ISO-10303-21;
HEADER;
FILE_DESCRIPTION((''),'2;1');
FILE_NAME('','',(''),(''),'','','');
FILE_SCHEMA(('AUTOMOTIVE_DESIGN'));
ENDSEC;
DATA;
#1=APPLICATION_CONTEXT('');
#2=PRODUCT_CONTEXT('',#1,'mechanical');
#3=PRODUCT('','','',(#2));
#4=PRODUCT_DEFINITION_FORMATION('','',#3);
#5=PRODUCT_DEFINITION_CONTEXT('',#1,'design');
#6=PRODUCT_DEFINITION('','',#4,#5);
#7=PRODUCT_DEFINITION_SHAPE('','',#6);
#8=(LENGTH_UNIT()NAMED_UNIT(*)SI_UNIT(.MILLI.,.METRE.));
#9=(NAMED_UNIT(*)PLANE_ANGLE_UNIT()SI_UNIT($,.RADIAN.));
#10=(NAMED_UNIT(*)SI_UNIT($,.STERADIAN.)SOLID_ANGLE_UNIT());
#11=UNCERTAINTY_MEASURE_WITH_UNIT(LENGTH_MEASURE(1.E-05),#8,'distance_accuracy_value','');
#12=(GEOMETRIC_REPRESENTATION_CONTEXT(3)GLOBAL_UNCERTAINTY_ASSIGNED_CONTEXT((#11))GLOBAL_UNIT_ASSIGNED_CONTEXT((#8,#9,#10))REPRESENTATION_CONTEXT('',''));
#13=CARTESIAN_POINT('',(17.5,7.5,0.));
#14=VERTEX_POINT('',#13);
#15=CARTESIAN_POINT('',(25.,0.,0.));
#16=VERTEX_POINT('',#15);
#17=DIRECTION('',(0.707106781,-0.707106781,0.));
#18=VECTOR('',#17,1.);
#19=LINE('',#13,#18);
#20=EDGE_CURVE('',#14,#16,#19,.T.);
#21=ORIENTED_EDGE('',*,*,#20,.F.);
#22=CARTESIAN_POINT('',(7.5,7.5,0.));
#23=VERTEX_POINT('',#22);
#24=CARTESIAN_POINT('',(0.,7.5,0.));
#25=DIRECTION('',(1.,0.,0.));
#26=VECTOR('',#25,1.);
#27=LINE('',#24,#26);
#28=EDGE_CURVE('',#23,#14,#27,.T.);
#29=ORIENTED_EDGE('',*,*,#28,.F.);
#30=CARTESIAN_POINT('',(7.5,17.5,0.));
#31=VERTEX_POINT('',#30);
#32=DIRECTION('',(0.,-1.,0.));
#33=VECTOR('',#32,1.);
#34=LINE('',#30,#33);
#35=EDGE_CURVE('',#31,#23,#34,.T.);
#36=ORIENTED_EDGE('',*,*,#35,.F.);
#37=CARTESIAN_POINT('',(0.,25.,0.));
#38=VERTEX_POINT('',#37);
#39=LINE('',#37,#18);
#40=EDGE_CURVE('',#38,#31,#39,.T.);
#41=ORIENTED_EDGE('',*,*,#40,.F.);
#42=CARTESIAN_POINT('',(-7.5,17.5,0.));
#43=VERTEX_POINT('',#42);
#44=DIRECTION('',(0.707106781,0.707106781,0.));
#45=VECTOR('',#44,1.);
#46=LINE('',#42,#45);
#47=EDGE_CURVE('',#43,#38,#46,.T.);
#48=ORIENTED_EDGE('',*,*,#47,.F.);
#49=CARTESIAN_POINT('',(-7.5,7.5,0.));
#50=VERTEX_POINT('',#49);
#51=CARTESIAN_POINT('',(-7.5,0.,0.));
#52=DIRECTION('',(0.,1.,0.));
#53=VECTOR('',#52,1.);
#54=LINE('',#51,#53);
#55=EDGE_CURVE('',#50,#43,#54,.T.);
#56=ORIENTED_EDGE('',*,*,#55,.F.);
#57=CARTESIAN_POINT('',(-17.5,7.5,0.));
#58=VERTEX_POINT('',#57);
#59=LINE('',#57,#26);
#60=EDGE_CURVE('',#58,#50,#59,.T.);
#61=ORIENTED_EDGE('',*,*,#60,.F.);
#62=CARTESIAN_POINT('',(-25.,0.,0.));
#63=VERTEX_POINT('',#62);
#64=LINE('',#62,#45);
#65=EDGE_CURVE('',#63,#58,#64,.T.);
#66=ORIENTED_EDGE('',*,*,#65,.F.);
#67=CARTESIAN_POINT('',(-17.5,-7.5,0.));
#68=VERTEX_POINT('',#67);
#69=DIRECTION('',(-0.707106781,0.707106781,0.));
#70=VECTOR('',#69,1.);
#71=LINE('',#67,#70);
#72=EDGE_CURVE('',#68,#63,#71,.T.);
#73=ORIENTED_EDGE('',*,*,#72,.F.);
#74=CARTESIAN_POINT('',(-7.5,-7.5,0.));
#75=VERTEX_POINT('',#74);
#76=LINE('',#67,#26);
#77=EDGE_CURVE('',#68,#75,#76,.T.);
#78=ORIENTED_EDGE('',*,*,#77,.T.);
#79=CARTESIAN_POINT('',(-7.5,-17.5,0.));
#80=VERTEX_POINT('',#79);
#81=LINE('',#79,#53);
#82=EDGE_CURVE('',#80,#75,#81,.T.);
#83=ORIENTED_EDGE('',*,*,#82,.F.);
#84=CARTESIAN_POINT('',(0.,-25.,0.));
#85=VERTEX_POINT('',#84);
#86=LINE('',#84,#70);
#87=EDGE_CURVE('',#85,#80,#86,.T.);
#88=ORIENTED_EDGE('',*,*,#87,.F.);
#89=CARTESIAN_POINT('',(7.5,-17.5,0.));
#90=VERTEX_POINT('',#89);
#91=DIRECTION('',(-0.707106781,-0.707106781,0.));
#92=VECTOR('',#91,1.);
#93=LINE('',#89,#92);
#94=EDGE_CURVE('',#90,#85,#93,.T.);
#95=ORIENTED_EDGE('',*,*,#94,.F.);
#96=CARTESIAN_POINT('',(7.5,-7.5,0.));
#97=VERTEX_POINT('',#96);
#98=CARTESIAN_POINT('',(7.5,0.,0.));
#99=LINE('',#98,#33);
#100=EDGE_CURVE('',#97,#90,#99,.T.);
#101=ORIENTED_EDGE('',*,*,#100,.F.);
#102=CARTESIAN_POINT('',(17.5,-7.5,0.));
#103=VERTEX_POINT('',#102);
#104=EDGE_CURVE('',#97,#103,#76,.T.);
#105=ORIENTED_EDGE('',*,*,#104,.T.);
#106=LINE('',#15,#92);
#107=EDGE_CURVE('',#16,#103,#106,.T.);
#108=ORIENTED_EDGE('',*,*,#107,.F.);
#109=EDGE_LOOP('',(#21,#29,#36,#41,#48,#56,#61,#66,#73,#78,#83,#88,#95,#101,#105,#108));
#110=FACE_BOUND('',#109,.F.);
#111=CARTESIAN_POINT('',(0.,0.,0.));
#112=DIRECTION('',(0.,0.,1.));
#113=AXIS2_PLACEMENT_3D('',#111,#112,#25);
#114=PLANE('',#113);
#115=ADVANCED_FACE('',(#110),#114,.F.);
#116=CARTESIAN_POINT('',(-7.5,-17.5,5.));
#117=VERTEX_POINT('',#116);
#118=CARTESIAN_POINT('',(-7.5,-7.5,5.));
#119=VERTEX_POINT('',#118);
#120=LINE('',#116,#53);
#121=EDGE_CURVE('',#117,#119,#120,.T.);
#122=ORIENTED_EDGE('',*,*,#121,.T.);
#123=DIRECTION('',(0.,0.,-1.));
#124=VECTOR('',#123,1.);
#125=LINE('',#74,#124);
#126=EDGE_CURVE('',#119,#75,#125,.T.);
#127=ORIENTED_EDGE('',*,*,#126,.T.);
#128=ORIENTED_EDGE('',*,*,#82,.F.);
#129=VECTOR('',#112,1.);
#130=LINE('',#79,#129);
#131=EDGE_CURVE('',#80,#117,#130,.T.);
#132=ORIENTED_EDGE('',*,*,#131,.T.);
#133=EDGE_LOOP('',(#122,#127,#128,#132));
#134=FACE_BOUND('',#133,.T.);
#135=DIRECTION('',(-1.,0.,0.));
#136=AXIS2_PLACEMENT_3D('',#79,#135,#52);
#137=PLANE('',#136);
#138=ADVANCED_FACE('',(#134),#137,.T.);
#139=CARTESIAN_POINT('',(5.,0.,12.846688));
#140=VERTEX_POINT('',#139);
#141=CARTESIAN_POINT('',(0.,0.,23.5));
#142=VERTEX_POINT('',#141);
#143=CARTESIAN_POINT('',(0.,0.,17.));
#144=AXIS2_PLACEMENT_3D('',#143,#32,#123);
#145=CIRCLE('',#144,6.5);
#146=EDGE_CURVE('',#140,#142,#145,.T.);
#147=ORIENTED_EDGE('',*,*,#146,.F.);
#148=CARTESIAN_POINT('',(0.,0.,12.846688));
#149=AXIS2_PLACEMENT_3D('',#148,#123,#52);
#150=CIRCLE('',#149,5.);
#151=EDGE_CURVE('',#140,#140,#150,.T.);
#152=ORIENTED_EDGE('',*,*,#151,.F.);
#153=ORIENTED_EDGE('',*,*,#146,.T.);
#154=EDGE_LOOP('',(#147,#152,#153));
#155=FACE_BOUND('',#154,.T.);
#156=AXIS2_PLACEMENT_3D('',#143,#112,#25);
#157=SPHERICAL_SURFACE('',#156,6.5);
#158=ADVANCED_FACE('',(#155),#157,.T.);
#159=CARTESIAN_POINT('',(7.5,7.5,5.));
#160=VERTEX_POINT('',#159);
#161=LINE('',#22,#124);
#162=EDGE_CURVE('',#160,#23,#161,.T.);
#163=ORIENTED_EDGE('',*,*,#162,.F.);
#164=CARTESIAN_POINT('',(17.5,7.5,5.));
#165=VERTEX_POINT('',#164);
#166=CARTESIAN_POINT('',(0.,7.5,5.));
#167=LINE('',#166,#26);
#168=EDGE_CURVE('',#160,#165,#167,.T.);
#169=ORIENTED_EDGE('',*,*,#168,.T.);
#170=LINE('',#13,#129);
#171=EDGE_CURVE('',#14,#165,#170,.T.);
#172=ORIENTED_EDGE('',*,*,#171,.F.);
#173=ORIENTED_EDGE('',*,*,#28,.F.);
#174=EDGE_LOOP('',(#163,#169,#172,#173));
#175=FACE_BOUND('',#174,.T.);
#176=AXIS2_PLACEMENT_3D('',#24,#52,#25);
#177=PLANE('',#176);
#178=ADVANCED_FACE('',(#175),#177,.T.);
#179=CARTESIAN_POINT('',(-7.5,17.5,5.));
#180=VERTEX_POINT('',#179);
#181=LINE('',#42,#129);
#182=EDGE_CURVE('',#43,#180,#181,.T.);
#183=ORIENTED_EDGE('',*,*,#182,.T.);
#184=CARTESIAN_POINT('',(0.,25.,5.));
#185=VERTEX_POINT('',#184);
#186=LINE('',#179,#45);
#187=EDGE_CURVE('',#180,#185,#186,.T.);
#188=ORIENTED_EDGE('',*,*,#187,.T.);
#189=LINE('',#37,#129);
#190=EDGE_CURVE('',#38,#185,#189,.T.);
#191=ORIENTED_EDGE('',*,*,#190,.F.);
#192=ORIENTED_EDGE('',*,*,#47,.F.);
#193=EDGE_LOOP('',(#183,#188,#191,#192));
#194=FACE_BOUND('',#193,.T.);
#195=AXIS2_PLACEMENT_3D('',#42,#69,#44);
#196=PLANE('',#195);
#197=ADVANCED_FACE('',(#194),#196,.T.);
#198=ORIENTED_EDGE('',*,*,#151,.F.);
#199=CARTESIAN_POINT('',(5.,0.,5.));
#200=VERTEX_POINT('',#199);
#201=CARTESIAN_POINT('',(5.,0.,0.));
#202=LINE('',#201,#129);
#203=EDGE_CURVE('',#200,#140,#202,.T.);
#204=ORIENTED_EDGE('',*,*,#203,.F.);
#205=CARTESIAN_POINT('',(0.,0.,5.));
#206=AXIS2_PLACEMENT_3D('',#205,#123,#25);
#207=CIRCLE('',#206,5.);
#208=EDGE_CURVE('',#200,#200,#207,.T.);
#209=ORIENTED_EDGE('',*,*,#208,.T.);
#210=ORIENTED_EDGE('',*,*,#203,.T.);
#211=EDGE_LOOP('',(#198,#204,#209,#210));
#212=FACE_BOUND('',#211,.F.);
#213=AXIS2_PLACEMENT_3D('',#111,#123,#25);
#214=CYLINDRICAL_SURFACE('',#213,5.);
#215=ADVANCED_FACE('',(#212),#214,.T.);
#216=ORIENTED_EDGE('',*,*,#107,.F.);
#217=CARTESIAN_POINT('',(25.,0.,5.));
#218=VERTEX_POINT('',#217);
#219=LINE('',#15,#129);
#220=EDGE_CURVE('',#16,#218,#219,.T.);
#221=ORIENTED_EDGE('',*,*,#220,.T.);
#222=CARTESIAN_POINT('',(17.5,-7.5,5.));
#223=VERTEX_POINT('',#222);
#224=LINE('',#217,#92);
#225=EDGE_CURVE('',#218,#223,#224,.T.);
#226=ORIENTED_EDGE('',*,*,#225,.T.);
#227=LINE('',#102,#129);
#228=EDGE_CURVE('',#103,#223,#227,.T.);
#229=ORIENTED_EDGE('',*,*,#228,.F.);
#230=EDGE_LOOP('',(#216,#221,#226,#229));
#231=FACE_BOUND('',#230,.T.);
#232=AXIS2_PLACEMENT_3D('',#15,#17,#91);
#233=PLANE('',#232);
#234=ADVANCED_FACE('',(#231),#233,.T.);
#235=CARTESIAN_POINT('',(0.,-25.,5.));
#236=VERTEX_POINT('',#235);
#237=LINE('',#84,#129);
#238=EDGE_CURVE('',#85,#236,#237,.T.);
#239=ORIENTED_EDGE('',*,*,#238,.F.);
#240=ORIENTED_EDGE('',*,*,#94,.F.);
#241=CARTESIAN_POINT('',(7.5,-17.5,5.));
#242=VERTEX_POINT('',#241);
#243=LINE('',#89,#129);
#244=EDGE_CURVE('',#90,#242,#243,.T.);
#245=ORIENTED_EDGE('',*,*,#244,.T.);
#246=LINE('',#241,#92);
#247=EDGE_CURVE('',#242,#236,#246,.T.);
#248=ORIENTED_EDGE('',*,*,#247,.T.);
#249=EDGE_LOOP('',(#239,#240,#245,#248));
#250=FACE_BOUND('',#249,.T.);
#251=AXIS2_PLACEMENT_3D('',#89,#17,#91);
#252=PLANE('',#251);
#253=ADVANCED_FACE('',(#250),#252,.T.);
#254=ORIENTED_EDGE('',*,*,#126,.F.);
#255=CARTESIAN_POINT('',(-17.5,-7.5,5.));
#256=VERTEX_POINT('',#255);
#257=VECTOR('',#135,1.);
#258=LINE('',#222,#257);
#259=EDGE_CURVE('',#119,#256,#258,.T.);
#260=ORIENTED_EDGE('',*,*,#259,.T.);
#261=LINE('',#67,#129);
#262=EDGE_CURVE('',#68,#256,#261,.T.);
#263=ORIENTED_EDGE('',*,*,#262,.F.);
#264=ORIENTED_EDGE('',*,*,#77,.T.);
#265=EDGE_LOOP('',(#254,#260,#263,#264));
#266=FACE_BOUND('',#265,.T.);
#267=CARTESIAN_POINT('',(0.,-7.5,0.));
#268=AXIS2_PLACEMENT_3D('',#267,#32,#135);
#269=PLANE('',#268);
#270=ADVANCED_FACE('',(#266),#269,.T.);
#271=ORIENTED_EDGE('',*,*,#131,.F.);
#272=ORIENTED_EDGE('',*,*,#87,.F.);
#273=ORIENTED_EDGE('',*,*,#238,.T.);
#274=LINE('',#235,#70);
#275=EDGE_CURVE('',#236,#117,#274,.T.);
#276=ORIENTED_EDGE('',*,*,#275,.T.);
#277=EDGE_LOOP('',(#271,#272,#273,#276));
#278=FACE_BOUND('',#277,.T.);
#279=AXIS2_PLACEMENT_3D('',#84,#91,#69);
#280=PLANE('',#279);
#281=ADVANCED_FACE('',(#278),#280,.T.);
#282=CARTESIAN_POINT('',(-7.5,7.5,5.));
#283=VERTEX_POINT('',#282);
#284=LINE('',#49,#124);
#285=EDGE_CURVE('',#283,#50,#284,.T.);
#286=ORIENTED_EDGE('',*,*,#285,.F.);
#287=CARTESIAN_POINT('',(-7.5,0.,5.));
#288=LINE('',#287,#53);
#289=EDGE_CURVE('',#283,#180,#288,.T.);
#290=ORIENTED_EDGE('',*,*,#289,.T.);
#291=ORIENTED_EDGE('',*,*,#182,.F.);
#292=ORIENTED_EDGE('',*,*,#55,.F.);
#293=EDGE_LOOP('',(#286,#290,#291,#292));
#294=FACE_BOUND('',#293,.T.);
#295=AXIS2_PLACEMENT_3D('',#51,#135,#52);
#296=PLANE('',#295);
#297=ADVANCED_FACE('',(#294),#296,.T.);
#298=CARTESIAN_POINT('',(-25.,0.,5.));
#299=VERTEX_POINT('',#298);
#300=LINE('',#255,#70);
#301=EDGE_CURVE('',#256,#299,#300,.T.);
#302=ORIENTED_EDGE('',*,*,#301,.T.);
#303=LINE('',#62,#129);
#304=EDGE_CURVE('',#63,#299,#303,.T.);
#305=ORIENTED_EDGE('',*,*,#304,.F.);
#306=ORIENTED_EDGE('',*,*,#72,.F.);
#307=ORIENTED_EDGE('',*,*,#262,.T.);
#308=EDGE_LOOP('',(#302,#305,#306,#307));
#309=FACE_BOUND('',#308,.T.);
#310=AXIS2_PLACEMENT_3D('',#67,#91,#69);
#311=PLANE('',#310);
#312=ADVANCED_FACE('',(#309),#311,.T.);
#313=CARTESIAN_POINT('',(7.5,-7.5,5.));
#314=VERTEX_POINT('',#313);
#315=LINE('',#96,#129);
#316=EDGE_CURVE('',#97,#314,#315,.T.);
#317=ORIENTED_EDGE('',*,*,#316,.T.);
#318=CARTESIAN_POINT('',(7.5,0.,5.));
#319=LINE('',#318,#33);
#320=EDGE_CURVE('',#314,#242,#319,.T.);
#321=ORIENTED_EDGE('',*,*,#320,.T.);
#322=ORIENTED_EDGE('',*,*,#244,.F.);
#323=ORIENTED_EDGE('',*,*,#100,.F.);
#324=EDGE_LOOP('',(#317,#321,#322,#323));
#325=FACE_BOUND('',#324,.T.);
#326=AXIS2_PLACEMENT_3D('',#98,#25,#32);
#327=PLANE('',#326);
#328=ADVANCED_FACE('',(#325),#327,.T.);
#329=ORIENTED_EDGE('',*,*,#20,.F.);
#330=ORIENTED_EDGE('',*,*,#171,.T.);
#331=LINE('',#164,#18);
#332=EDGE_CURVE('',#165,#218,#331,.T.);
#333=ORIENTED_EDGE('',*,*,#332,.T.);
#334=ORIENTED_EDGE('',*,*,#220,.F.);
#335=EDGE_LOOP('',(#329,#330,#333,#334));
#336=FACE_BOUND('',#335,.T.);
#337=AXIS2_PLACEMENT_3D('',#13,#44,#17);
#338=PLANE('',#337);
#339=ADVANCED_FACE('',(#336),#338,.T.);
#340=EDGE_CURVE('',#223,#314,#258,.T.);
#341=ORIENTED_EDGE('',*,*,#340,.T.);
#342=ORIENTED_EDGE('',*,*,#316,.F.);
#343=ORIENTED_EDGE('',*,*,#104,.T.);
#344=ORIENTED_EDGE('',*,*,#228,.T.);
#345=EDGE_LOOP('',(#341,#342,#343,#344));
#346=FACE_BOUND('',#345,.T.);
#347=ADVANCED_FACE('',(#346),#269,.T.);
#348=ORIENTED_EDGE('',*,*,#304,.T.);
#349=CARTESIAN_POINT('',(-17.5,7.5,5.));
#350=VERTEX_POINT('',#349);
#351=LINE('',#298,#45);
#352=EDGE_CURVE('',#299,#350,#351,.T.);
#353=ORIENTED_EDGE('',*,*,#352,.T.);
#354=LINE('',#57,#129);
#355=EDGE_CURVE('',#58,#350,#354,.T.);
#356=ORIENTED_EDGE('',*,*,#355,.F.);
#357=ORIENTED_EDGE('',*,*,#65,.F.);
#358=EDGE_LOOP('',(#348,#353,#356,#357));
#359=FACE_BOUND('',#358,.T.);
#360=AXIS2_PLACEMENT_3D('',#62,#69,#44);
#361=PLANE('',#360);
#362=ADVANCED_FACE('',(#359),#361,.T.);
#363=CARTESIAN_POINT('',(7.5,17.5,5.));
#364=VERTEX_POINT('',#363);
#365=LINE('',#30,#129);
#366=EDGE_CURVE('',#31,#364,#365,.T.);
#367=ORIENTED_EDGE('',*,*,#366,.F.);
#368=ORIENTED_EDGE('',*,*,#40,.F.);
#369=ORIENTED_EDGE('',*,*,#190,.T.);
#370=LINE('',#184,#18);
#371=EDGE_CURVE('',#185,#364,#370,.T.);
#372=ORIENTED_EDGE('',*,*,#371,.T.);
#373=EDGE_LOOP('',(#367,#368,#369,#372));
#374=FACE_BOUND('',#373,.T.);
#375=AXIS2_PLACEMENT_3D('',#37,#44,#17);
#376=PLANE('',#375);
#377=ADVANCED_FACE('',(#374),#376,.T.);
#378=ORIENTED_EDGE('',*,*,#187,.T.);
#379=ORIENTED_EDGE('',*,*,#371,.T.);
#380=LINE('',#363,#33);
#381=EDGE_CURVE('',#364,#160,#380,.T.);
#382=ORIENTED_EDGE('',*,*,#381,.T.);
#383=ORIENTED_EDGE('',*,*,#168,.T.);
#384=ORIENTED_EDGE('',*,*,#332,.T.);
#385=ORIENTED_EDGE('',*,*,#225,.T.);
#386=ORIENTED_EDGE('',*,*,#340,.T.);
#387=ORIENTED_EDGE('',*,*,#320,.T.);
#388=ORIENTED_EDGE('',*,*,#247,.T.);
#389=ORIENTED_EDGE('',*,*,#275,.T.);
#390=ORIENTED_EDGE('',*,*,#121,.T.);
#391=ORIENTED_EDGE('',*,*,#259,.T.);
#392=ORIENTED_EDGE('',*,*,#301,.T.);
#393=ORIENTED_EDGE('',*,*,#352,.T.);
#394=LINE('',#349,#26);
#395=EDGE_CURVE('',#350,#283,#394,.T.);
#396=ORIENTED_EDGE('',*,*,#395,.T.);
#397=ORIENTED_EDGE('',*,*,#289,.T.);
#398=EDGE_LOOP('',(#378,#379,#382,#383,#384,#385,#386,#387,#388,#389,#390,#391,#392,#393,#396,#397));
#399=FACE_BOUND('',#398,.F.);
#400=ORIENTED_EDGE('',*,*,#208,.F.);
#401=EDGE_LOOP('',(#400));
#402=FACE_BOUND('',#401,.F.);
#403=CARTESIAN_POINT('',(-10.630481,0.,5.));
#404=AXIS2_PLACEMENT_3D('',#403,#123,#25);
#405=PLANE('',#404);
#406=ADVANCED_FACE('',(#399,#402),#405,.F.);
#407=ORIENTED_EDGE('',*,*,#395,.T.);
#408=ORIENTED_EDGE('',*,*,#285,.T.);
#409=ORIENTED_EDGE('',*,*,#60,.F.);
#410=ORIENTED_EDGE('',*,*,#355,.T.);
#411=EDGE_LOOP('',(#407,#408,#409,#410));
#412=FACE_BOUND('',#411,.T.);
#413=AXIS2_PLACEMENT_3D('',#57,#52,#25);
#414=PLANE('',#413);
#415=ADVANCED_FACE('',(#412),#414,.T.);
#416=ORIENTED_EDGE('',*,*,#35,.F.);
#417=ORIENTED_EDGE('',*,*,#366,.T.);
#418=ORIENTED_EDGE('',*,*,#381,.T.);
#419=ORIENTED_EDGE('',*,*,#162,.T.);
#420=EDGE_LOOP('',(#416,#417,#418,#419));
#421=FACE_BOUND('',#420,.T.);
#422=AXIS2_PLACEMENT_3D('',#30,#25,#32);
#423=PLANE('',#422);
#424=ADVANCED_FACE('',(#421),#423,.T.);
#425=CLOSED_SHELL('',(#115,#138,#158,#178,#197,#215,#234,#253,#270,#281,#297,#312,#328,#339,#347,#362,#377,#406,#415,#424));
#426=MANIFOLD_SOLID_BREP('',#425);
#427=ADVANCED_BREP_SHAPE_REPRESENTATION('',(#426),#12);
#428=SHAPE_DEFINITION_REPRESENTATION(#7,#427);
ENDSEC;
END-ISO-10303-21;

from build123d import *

# Parameters (mm, degrees)
CYLINDER011_R     = 5
CYLINDER011_DEPTH = 15
PAD_DEPTH         = 5
ARRAY006_COUNT    = 4


with BuildPart() as cylinder011:
    # Cylinder011 → Cylinder011 (new body)
    with BuildSketch(Plane.XY):
        Circle(CYLINDER011_R)
    extrude(amount=CYLINDER011_DEPTH)


with BuildPart() as sphere:
    # Sphere → Sphere (revolve)
    with BuildSketch(Plane(origin=(0, 0, 17), x_dir=(1, 0, 0), z_dir=(0, -1, 0))):
        with BuildLine():
            ThreePointArc((0, -6.5), (6.5, 0), (0, 6.5))
            Line((0, 6.5), (0, -6.5))
        make_face()
    revolve(axis=Axis((0, 0, 17), (0, 0, 1)))


with BuildPart() as piezacruz:
    # Sketch → Pad (new body)
    with BuildSketch(Plane.XY):
        Polygon((0, 7.5), (17.5, 7.5), (25, 0), (17.5, -7.5), (0, -7.5), align=None)
    extrude(amount=PAD_DEPTH)

    # Array006: piezaCruz ×4 about axis
    array006_axis = Axis((0, 0, 0), (0, 0, 1))


with BuildPart() as piezacruz_1:
    add(piezacruz.part)
    for i in range(1, ARRAY006_COUNT):
        add(piezacruz.part.rotate(array006_axis, i * 360 / ARRAY006_COUNT))

    # Fusion017: union Cylinder011, Sphere
    add(cylinder011.part)
    add(sphere.part)


solid = piezacruz_1.part
